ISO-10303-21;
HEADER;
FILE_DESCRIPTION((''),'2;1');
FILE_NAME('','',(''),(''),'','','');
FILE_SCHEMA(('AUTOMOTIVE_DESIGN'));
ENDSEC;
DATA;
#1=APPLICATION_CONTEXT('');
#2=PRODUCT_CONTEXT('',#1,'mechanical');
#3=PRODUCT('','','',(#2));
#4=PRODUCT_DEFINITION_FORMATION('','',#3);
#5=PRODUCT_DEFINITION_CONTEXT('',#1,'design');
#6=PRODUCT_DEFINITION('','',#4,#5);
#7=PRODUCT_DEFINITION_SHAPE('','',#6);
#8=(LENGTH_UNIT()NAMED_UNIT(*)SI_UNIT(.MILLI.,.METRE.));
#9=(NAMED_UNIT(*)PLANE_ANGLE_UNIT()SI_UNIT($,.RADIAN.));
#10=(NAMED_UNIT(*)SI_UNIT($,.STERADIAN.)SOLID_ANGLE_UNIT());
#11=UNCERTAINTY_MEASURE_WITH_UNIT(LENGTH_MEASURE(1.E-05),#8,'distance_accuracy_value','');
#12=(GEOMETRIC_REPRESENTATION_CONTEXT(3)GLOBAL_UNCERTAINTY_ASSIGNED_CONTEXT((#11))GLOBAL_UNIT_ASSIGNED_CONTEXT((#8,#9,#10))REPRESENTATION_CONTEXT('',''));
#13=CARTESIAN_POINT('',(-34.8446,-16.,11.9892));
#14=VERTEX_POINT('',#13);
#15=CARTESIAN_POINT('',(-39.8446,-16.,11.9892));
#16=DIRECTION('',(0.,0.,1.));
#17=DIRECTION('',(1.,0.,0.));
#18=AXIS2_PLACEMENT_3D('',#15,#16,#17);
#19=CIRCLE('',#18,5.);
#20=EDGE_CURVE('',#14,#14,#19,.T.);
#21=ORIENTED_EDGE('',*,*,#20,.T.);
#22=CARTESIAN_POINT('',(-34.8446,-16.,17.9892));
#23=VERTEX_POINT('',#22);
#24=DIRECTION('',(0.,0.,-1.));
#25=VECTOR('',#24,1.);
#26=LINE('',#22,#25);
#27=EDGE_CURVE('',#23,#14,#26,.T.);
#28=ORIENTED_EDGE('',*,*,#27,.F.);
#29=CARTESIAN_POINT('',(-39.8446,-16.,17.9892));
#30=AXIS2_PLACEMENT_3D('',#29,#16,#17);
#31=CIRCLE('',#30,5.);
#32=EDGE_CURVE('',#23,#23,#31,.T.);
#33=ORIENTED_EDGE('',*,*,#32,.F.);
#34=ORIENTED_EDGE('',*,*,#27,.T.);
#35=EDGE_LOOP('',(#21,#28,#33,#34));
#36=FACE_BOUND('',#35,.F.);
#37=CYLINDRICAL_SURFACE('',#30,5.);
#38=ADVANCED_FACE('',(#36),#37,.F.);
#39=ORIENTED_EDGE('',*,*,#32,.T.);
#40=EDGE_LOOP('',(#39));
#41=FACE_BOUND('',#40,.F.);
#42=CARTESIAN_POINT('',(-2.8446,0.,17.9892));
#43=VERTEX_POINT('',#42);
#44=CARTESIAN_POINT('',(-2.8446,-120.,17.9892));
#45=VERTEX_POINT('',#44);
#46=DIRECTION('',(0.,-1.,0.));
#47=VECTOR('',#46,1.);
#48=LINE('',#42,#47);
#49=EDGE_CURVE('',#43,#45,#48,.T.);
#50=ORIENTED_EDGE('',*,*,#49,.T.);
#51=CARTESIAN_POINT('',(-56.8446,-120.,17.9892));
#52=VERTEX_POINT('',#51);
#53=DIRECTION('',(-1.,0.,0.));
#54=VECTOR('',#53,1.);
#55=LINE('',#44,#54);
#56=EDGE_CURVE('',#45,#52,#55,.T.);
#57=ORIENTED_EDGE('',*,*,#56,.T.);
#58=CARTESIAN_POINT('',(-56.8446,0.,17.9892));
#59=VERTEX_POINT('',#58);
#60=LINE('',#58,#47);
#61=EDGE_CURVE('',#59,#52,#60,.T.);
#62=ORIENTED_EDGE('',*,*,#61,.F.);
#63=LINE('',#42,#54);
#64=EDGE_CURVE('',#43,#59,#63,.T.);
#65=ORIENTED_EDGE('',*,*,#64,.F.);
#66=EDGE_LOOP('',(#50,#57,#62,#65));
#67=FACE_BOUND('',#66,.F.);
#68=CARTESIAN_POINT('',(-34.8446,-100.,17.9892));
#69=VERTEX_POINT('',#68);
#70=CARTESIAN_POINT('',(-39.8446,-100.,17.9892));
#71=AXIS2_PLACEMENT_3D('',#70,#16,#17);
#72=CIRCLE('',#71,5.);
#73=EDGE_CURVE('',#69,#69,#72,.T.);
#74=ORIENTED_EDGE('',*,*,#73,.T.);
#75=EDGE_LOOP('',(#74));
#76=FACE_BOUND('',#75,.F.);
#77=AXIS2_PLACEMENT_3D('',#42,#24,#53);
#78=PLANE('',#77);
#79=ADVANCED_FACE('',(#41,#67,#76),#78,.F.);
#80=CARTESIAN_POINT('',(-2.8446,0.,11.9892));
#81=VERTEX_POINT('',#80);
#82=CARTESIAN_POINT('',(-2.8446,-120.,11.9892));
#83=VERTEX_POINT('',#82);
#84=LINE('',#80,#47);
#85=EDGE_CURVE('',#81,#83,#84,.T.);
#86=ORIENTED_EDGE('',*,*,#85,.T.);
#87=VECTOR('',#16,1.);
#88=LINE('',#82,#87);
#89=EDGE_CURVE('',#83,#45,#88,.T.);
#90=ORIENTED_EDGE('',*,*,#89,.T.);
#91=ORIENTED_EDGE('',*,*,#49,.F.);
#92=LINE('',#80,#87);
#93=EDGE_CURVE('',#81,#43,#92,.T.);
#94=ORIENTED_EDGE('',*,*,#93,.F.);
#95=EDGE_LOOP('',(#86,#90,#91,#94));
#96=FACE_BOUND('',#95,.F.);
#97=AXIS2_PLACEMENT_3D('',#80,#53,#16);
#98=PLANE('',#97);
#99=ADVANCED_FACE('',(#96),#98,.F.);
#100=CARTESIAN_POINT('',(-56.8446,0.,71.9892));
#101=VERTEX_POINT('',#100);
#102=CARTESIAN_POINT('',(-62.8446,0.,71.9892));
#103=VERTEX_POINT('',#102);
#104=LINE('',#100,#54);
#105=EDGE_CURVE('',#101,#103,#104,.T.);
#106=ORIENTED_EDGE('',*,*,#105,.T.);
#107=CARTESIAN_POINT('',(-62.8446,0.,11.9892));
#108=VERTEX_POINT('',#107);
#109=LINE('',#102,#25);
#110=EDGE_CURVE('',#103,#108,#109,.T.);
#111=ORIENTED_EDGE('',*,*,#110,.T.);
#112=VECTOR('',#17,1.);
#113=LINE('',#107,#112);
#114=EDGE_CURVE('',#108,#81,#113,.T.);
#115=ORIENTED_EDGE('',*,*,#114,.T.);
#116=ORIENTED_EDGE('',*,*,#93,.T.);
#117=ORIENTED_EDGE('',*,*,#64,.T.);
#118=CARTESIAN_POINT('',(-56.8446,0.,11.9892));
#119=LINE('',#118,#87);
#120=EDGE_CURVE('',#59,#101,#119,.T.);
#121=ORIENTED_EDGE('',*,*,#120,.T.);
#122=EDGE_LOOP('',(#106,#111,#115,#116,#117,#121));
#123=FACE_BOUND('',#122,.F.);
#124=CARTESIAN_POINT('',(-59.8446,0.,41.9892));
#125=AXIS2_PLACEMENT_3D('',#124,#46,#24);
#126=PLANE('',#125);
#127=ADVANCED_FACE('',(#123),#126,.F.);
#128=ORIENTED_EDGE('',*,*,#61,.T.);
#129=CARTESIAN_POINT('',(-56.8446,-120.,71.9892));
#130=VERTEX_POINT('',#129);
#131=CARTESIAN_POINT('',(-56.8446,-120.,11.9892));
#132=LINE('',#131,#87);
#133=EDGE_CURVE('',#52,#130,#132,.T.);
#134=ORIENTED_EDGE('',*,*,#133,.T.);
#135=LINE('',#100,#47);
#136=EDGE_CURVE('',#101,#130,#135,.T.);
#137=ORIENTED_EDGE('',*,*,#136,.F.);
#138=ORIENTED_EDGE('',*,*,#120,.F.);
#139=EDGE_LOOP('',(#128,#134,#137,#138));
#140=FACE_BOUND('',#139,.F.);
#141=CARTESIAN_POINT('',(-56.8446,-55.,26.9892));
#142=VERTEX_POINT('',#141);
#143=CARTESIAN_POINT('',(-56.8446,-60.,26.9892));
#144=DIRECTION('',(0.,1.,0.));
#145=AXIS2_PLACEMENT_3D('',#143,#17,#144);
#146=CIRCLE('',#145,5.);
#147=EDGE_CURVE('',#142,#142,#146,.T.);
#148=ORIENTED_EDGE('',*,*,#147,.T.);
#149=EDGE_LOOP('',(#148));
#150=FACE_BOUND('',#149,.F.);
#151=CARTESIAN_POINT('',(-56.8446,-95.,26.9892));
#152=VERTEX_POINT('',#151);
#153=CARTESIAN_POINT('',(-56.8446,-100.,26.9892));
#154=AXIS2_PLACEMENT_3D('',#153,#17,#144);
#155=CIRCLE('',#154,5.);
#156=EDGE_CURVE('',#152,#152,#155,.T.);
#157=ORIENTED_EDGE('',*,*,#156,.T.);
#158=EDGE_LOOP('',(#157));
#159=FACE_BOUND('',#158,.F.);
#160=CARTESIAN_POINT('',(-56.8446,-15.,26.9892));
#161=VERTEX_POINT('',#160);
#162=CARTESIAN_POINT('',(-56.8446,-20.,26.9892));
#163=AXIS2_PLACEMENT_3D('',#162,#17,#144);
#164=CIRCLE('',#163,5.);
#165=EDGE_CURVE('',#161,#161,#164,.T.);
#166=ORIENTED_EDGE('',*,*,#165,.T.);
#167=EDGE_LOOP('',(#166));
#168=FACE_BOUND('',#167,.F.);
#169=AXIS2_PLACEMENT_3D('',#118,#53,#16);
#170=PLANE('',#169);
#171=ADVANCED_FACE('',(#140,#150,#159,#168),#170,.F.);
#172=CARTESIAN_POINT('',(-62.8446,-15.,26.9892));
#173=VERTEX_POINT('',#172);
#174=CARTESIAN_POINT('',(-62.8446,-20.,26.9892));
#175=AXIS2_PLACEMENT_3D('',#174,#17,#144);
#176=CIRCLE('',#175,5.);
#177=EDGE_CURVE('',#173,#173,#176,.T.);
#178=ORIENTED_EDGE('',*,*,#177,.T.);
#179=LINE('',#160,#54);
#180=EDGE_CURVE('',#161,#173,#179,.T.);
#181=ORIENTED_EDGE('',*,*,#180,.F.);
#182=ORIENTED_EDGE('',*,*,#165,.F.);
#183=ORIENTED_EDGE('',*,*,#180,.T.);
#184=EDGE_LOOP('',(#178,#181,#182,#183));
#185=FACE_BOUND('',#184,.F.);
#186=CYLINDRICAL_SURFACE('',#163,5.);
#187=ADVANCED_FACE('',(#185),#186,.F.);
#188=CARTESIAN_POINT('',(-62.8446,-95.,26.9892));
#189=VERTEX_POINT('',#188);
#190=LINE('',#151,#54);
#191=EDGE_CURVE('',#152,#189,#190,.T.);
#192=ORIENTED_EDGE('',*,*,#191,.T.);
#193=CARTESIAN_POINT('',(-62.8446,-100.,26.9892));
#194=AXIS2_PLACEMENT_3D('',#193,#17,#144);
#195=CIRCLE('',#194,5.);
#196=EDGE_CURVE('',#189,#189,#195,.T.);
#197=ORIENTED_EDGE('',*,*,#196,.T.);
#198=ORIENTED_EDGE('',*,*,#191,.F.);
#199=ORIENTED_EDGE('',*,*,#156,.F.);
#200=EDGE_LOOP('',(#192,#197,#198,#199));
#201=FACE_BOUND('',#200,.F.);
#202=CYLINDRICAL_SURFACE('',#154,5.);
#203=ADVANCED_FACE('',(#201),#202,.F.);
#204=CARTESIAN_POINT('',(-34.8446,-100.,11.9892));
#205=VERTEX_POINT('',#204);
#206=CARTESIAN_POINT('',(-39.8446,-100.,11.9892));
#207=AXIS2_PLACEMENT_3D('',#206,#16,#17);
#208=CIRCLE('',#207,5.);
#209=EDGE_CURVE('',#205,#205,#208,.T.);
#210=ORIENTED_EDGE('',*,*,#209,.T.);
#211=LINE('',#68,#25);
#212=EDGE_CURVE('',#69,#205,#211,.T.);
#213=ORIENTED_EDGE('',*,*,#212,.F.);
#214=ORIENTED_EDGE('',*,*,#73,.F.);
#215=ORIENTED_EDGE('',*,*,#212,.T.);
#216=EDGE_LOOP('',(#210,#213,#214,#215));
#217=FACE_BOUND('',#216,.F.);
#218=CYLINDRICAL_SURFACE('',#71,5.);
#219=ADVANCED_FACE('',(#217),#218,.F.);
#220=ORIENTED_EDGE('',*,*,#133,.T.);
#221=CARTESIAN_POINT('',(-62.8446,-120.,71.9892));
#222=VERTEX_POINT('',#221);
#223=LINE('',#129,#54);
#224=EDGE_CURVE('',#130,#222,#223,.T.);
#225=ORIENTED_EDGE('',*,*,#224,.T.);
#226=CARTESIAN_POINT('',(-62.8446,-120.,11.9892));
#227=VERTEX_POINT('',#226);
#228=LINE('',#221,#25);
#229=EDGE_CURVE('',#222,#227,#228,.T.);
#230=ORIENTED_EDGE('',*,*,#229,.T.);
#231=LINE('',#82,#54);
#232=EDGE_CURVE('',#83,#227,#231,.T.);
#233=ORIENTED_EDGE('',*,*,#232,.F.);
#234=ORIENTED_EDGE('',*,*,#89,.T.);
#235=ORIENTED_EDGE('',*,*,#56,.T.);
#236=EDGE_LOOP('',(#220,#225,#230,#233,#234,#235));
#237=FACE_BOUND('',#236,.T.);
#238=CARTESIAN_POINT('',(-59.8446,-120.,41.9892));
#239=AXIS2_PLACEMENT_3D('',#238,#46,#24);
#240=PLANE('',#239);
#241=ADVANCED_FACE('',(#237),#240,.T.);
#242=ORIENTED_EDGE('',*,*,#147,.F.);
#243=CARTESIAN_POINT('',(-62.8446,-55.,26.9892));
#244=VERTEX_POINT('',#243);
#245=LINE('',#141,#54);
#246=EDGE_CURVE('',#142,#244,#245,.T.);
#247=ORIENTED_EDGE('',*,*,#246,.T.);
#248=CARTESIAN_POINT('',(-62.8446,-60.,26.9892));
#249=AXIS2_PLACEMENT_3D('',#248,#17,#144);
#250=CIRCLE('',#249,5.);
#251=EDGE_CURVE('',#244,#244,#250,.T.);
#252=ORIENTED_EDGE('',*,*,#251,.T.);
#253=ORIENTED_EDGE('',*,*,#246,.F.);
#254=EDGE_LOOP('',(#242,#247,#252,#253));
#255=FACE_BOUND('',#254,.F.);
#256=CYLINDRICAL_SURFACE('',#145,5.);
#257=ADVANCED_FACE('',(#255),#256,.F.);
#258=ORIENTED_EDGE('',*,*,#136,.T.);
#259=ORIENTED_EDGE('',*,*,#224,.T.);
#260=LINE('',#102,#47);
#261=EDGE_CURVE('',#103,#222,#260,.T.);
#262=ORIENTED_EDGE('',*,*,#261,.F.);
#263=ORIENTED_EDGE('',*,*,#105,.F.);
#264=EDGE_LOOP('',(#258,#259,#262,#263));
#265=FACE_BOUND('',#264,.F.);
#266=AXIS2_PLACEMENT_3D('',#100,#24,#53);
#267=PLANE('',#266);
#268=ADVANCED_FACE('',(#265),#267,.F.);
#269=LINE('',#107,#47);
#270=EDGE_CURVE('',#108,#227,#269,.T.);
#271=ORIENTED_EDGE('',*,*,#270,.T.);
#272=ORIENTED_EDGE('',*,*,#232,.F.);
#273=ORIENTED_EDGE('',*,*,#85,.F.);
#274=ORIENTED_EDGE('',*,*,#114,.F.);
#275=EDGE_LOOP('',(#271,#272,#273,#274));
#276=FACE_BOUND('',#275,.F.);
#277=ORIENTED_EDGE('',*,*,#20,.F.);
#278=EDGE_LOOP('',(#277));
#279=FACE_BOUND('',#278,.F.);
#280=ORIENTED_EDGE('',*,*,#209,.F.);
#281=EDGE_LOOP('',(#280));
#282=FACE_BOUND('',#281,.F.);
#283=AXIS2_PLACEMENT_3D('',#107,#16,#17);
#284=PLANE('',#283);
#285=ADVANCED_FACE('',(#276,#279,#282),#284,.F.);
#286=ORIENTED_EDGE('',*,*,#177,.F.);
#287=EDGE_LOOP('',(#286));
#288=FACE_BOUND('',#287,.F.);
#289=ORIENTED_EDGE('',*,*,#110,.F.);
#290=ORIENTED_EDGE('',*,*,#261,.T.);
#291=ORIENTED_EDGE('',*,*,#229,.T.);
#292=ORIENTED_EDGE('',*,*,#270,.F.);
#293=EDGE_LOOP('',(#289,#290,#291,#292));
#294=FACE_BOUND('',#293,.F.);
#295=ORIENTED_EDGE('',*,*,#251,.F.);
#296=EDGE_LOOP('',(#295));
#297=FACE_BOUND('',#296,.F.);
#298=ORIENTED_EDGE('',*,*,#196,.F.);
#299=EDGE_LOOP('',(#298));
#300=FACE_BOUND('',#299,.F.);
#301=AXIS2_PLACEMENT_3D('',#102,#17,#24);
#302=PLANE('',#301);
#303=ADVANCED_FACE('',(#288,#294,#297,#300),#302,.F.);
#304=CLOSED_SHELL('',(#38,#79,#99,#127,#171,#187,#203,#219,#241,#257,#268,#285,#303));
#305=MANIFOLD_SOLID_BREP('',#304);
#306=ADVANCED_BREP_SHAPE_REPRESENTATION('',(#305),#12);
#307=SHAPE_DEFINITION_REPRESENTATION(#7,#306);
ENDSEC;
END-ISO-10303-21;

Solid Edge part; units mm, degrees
sketch "Sketch1" plane through (0, 0, 0) normal (0, -1, 0) x (1, 0, 0)
  line L0 (-56.8446, 11.9892) -> (-2.8446, 11.9892)
  line L1 (-2.8446, 11.9892) -> (-2.8446, 17.9892)
  line L2 (-2.8446, 17.9892) -> (-56.8446, 17.9892)
  line L3 (-56.8446, 17.9892) -> (-56.8446, 11.9892)
  line L4 (-62.8446, 11.9892) -> (-56.8446, 11.9892)
  line L5 (-56.8446, 11.9892) -> (-56.8446, 71.9892)
  line L6 (-56.8446, 71.9892) -> (-62.8446, 71.9892)
  line L7 (-62.8446, 71.9892) -> (-62.8446, 11.9892)
  dimension "D1" = 60
  dimension "D2" = 6
  dimension "D3" = 6
  dimension "D4" = 60
extrude "Protrusion1" add sketch "Sketch1" along normal blind 120
sketch "Sketch2" plane through (-56.8446, -75, 44.9892) normal (1, 0, 0) x (0, 1, 0)
  circle A0 centre (55, -18) radius 5
  circle A1 centre (-25, -18) radius 5
  circle A2 centre (15, -18) radius 5
  dimension "D1" = 10
  dimension "D2" = 40
  dimension "D3" = 15
  dimension "D4" = 20
  dimension "D5" = 10
  dimension "D6" = 40
extrude "ExtrudedCutout_1" cut sketch "Sketch2" against normal blind 21.8402
sketch "Sketch3" plane through (-29.8446, -75, 17.9892) normal (0, 0, 1) x (1, 0, 0)
  circle A0 centre (-10, -25) radius 5
  circle A1 centre (-10, 59) radius 5
  dimension "D1" = 10
  dimension "D2" = 104
  dimension "D3" = 20
extrude "ExtrudedCutout_2" cut sketch "Sketch3" against normal blind 26.4448
properties material "Aluminum, 6061-T6"
